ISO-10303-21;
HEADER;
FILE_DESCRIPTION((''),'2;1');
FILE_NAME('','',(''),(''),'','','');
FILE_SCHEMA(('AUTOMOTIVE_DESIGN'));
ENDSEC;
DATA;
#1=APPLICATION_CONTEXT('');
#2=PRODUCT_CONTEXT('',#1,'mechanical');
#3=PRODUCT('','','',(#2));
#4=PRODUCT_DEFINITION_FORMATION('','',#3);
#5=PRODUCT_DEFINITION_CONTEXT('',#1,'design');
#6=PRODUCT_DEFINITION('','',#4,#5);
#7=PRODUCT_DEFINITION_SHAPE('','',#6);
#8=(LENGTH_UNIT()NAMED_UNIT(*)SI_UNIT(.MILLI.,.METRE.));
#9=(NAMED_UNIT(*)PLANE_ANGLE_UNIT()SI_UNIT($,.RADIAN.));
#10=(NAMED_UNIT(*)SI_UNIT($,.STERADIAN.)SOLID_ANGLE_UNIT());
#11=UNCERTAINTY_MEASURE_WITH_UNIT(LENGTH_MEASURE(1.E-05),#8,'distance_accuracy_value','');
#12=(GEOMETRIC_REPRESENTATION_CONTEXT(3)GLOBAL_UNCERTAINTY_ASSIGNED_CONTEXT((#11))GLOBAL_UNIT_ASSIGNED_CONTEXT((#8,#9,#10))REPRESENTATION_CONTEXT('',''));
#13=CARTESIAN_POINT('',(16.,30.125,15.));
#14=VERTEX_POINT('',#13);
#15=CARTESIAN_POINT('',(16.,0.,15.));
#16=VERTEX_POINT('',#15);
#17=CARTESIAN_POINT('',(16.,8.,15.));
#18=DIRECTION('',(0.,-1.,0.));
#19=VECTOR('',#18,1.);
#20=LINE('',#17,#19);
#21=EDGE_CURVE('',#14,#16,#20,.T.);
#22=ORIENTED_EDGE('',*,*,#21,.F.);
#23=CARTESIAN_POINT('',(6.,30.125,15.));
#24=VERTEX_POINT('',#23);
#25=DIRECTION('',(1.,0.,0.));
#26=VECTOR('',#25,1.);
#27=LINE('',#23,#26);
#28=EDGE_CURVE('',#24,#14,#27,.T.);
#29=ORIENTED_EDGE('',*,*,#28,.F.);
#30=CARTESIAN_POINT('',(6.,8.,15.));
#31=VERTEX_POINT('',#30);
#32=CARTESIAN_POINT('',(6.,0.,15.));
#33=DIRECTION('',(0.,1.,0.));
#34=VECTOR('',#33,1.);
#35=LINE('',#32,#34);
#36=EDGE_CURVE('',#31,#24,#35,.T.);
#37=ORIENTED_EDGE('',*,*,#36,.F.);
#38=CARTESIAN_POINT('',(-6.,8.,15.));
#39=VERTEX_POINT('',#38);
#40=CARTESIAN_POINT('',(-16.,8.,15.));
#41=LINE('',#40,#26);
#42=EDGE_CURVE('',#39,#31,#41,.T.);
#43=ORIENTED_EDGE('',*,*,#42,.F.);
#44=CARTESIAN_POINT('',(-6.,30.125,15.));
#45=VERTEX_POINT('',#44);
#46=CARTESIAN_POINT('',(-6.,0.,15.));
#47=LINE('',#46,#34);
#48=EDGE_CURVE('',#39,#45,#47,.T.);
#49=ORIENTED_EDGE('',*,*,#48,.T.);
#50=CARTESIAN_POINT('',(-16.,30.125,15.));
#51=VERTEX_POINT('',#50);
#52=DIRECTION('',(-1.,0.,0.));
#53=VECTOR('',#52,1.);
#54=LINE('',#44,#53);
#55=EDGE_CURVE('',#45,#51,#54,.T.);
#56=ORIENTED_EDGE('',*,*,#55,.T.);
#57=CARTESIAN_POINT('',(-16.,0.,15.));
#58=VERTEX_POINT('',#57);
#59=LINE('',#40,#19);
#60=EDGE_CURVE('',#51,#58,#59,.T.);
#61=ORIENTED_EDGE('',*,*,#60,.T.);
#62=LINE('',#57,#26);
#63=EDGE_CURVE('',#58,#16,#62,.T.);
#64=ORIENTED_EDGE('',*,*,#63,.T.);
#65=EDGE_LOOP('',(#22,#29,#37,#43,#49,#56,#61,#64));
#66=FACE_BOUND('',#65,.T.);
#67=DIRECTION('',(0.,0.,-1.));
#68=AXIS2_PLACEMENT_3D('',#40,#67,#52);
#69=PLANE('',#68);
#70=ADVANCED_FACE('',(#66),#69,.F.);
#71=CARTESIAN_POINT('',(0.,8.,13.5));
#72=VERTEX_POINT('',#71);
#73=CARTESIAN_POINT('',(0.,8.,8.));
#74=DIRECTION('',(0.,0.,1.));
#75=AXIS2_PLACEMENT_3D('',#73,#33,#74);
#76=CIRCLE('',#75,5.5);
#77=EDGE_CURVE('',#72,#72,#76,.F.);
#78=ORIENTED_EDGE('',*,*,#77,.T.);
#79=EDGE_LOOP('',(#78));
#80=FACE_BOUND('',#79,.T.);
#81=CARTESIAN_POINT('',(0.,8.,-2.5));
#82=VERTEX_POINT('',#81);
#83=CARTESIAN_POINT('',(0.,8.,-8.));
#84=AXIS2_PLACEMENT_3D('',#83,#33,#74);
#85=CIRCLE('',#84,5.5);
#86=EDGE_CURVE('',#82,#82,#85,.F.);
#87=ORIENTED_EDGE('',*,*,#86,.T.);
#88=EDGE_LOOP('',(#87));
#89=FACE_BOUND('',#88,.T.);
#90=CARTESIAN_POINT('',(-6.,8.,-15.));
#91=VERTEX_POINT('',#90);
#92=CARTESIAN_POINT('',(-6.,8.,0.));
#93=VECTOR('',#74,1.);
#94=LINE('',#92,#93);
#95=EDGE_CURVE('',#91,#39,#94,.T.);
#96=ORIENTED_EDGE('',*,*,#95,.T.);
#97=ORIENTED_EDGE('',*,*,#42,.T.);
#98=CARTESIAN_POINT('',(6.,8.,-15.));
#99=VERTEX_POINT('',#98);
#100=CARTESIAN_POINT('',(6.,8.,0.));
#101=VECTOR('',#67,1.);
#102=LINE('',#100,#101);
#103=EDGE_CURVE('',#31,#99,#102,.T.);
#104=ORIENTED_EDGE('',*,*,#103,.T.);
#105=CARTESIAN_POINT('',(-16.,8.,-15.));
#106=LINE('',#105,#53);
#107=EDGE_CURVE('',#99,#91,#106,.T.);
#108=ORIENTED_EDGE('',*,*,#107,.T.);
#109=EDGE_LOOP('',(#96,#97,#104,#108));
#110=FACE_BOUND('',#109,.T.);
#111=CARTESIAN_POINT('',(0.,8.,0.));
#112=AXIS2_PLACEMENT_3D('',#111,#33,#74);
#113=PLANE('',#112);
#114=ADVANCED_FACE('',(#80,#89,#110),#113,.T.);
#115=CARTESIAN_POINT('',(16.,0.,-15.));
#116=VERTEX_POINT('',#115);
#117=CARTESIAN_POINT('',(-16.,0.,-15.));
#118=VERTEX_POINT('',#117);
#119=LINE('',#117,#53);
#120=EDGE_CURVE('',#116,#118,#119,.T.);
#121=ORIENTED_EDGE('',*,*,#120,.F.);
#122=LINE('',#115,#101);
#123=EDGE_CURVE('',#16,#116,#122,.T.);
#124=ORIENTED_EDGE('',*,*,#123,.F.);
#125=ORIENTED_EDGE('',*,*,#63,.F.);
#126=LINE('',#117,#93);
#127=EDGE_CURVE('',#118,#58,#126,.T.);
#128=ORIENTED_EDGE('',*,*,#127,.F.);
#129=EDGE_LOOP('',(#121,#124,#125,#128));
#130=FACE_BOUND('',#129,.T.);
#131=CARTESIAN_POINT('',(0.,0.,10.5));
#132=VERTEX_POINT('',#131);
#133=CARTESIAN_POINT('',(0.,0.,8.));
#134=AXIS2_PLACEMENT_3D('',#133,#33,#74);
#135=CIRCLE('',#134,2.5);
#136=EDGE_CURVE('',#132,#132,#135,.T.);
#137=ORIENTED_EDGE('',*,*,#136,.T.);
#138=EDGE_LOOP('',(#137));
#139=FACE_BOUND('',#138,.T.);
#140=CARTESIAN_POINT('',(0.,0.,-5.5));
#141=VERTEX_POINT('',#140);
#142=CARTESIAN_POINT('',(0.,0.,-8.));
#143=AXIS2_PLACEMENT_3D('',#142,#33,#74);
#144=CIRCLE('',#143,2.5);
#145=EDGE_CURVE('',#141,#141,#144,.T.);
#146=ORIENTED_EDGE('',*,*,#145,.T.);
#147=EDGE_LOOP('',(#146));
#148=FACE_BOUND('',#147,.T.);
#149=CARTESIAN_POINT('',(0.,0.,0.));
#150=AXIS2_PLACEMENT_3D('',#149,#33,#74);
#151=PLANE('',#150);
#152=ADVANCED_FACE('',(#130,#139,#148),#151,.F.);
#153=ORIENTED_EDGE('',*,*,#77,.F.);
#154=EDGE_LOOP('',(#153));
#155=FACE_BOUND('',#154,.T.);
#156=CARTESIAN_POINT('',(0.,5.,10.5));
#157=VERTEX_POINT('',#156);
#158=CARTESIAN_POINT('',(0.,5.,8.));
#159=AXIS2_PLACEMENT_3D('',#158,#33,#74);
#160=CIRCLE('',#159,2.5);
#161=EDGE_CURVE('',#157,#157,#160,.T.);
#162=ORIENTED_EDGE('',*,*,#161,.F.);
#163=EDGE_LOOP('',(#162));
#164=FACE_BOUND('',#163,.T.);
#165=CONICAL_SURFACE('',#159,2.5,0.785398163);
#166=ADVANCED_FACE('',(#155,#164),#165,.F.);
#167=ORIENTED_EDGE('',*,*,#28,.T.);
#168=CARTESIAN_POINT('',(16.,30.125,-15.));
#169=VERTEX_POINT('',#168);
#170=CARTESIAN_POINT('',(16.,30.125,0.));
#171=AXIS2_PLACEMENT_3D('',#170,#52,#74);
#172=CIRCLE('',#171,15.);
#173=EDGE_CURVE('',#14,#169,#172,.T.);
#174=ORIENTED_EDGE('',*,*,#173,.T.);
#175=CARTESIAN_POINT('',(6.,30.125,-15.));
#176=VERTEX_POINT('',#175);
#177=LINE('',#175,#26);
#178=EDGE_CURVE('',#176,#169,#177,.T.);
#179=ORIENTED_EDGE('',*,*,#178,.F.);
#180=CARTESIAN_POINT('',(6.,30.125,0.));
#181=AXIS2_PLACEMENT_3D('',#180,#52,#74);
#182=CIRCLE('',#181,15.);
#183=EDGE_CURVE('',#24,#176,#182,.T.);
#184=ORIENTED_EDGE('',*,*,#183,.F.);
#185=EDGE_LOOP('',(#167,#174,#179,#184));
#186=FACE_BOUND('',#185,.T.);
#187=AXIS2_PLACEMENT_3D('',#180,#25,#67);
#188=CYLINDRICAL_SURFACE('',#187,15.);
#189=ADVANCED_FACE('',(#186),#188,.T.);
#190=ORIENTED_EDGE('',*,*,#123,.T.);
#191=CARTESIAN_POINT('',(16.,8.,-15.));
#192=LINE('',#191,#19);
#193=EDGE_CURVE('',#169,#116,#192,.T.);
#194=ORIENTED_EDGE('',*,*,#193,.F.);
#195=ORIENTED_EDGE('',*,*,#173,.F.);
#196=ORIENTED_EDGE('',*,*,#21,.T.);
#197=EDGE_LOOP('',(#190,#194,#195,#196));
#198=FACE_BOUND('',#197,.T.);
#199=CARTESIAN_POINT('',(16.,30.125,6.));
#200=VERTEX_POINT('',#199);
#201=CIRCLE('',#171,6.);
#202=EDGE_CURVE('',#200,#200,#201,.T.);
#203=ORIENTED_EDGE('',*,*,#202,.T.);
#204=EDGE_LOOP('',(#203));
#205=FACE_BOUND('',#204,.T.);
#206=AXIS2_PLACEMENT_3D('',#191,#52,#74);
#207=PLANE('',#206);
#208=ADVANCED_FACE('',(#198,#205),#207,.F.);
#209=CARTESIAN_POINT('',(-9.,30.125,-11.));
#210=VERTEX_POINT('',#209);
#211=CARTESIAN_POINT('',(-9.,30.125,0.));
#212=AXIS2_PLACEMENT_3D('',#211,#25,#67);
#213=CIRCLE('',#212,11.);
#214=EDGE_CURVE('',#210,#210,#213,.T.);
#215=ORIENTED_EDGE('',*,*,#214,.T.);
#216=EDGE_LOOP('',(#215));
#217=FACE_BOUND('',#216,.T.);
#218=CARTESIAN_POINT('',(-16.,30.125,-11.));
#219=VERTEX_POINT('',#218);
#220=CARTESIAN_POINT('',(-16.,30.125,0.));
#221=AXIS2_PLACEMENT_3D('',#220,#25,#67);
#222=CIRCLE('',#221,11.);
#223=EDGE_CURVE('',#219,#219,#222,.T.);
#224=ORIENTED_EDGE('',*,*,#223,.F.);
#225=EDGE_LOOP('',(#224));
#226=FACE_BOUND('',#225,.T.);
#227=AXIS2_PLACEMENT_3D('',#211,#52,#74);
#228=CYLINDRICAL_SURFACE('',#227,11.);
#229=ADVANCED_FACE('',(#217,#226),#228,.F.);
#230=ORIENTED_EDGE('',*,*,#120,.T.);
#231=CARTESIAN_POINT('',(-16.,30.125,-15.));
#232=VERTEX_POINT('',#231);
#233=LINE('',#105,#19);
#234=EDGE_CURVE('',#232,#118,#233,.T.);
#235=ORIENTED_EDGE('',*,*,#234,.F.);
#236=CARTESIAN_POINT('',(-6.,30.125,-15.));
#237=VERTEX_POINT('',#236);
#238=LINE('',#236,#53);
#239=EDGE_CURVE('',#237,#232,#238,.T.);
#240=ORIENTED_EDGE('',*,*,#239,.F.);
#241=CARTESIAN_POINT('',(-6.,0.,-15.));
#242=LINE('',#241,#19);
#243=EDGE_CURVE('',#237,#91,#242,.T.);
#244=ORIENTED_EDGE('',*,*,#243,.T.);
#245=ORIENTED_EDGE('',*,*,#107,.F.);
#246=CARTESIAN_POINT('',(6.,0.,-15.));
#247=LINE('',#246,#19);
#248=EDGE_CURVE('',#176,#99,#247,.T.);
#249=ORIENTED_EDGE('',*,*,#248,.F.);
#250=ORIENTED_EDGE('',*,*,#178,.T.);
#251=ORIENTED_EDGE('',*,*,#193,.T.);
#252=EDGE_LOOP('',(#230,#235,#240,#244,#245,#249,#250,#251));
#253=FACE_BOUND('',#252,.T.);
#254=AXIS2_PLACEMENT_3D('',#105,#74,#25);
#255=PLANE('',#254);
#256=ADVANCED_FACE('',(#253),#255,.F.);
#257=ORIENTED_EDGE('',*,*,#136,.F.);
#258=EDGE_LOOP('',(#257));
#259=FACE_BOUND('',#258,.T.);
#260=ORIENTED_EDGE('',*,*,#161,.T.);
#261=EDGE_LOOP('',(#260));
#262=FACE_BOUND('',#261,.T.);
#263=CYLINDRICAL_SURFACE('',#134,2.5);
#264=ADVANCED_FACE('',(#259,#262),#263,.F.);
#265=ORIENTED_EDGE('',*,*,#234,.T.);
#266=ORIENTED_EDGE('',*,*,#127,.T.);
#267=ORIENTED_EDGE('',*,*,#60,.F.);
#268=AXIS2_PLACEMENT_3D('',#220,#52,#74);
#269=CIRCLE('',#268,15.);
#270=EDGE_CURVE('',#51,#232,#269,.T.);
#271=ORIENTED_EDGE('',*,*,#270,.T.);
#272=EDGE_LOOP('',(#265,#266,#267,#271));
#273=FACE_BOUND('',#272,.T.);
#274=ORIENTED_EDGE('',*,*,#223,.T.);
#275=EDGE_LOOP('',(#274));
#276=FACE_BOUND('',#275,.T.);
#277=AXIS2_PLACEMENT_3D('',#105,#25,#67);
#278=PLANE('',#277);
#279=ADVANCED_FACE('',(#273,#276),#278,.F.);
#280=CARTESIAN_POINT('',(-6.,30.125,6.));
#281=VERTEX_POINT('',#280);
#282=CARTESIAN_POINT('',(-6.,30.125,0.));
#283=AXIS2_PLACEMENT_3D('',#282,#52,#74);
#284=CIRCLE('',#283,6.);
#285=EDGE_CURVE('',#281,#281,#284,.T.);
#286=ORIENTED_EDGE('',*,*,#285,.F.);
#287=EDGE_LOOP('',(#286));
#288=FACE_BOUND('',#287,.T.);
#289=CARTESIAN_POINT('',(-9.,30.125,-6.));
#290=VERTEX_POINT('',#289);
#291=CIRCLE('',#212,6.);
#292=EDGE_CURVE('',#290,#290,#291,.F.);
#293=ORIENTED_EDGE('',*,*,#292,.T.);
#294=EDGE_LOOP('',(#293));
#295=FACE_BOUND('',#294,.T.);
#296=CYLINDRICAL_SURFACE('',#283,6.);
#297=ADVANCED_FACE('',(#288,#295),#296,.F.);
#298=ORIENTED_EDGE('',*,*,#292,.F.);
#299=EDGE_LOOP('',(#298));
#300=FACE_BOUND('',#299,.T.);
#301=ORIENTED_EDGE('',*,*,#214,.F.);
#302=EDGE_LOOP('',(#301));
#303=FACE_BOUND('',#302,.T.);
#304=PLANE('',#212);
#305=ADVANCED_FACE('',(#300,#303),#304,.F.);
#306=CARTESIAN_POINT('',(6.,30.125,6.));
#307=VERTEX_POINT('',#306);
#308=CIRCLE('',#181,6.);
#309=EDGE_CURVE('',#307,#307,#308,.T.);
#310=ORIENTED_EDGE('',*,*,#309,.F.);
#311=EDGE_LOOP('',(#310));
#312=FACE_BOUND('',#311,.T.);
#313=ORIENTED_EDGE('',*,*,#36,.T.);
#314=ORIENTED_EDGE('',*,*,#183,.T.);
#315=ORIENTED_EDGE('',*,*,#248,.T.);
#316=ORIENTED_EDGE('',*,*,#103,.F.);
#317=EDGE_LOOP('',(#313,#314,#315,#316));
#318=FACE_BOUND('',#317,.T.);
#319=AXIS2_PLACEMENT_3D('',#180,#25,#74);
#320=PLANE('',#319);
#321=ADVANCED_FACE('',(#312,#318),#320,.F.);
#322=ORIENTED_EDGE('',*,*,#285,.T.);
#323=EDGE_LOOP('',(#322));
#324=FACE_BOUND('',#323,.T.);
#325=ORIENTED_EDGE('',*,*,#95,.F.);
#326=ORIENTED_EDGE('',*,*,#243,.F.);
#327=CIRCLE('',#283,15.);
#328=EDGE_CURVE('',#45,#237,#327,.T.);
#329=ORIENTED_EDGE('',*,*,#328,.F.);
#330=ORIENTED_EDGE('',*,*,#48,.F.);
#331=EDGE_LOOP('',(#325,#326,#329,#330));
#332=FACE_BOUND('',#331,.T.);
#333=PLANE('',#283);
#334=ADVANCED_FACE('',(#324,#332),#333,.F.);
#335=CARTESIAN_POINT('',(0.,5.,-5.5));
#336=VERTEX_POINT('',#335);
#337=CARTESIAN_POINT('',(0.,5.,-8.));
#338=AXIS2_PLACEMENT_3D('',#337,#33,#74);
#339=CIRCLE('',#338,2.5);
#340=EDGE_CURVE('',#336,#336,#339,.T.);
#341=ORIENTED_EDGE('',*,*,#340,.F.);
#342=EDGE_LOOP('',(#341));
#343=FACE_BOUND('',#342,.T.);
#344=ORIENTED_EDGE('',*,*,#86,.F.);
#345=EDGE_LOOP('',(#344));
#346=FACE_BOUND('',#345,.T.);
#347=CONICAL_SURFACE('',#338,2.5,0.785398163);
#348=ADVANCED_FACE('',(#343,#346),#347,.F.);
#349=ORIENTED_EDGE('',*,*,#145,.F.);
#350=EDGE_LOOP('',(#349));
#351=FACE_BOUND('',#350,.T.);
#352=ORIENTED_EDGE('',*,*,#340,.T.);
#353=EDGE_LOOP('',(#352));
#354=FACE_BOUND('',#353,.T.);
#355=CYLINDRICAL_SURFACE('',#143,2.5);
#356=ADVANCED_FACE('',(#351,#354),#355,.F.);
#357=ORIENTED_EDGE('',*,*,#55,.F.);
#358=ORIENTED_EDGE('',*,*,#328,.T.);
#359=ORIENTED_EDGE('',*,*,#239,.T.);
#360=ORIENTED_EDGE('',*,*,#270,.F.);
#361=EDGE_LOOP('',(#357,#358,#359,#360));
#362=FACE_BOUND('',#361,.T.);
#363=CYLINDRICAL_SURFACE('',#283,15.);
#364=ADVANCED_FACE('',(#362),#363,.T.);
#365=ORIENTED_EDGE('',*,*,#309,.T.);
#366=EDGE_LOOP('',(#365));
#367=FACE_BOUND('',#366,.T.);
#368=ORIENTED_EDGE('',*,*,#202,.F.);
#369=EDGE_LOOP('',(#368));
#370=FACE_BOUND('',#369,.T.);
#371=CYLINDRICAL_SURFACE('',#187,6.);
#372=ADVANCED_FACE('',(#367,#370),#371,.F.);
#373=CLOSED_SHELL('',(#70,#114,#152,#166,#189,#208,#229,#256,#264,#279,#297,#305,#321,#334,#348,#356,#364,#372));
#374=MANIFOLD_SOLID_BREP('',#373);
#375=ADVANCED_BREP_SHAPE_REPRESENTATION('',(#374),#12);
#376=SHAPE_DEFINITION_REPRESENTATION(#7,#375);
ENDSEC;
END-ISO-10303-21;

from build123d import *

# Parameters (mm, degrees)
SKETCH_1_W          = 32
SKETCH_1_H          = 30
EXTRUDE_1_DEPTH     = 8
SKETCH_2_R          = 6
EXTRUDE_2_DEPTH     = 10
CUT_EXTRUDE_START   = 10
SKETCH_4_R          = 11
CUT_EXTRUDE_1_DEPTH = 7
SKETCH_5_R          = 2.5
CUT_EXTRUDE_2_DEPTH = 44.119202509
CHAMFER_1_SIZE      = 3


with BuildPart() as part:
    # 草图1 → 凸台-拉伸1 (new body)
    with BuildSketch(Plane(origin=(0, 0, 0), x_dir=(1, 0, 0), z_dir=(0, 1, 0))):
        Rectangle(SKETCH_1_W, SKETCH_1_H)
    extrude(amount=EXTRUDE_1_DEPTH)

    # 草图2 → 凸台-拉伸2 (add)
    with BuildSketch(Plane.ZY.offset(16)):
        with BuildLine():
            Line((15, 0), (-15, 0))
            Line((-15, 0), (-15, 30.125))
            ThreePointArc((-15, 30.125), (0, 45.125), (15, 30.125))
            Line((15, 30.125), (15, 0))
        make_face()
        with Locations((0, 30.125)):
            Circle(SKETCH_2_R, mode=Mode.SUBTRACT)
    extrude_2 = extrude(amount=-EXTRUDE_2_DEPTH)

    # 草图4 → 切除-拉伸1 (cut)
    with BuildSketch(Plane.ZY.offset(6).offset(CUT_EXTRUDE_START)):
        with Locations(Location((0, 30.125, 0), (0, 0, 180))):
            Circle(SKETCH_4_R)
    extrude(amount=-CUT_EXTRUDE_1_DEPTH, mode=Mode.SUBTRACT)

    # 镜向1: 凸台-拉伸2 across plane
    add(extrude_2.mirror(Plane(origin=(0, 0, 0), x_dir=(0, 0, 1), z_dir=(1, 0, 0))))

    # 草图5 → 切除-拉伸2 (cut, through all)
    with BuildSketch(Plane(origin=(0, 8, 0), x_dir=(1, 0, 0), z_dir=(0, 1, 0))):
        with Locations(Location((0, 8, 0), (0, 0, 270))):
            Circle(SKETCH_5_R)
        with Locations(Location((0, -8, 0), (0, 0, 270))):
            Circle(SKETCH_5_R)
    extrude(amount=-CUT_EXTRUDE_2_DEPTH, mode=Mode.SUBTRACT)

    # 倒角1
    chamfer_1_edges = [part.edges().sort_by_distance(p)[0] for p in [
        (0, 8, -10.5),
        (0, 8, 5.5),
    ]]
    chamfer(chamfer_1_edges, length=CHAMFER_1_SIZE)


solid = part.part
